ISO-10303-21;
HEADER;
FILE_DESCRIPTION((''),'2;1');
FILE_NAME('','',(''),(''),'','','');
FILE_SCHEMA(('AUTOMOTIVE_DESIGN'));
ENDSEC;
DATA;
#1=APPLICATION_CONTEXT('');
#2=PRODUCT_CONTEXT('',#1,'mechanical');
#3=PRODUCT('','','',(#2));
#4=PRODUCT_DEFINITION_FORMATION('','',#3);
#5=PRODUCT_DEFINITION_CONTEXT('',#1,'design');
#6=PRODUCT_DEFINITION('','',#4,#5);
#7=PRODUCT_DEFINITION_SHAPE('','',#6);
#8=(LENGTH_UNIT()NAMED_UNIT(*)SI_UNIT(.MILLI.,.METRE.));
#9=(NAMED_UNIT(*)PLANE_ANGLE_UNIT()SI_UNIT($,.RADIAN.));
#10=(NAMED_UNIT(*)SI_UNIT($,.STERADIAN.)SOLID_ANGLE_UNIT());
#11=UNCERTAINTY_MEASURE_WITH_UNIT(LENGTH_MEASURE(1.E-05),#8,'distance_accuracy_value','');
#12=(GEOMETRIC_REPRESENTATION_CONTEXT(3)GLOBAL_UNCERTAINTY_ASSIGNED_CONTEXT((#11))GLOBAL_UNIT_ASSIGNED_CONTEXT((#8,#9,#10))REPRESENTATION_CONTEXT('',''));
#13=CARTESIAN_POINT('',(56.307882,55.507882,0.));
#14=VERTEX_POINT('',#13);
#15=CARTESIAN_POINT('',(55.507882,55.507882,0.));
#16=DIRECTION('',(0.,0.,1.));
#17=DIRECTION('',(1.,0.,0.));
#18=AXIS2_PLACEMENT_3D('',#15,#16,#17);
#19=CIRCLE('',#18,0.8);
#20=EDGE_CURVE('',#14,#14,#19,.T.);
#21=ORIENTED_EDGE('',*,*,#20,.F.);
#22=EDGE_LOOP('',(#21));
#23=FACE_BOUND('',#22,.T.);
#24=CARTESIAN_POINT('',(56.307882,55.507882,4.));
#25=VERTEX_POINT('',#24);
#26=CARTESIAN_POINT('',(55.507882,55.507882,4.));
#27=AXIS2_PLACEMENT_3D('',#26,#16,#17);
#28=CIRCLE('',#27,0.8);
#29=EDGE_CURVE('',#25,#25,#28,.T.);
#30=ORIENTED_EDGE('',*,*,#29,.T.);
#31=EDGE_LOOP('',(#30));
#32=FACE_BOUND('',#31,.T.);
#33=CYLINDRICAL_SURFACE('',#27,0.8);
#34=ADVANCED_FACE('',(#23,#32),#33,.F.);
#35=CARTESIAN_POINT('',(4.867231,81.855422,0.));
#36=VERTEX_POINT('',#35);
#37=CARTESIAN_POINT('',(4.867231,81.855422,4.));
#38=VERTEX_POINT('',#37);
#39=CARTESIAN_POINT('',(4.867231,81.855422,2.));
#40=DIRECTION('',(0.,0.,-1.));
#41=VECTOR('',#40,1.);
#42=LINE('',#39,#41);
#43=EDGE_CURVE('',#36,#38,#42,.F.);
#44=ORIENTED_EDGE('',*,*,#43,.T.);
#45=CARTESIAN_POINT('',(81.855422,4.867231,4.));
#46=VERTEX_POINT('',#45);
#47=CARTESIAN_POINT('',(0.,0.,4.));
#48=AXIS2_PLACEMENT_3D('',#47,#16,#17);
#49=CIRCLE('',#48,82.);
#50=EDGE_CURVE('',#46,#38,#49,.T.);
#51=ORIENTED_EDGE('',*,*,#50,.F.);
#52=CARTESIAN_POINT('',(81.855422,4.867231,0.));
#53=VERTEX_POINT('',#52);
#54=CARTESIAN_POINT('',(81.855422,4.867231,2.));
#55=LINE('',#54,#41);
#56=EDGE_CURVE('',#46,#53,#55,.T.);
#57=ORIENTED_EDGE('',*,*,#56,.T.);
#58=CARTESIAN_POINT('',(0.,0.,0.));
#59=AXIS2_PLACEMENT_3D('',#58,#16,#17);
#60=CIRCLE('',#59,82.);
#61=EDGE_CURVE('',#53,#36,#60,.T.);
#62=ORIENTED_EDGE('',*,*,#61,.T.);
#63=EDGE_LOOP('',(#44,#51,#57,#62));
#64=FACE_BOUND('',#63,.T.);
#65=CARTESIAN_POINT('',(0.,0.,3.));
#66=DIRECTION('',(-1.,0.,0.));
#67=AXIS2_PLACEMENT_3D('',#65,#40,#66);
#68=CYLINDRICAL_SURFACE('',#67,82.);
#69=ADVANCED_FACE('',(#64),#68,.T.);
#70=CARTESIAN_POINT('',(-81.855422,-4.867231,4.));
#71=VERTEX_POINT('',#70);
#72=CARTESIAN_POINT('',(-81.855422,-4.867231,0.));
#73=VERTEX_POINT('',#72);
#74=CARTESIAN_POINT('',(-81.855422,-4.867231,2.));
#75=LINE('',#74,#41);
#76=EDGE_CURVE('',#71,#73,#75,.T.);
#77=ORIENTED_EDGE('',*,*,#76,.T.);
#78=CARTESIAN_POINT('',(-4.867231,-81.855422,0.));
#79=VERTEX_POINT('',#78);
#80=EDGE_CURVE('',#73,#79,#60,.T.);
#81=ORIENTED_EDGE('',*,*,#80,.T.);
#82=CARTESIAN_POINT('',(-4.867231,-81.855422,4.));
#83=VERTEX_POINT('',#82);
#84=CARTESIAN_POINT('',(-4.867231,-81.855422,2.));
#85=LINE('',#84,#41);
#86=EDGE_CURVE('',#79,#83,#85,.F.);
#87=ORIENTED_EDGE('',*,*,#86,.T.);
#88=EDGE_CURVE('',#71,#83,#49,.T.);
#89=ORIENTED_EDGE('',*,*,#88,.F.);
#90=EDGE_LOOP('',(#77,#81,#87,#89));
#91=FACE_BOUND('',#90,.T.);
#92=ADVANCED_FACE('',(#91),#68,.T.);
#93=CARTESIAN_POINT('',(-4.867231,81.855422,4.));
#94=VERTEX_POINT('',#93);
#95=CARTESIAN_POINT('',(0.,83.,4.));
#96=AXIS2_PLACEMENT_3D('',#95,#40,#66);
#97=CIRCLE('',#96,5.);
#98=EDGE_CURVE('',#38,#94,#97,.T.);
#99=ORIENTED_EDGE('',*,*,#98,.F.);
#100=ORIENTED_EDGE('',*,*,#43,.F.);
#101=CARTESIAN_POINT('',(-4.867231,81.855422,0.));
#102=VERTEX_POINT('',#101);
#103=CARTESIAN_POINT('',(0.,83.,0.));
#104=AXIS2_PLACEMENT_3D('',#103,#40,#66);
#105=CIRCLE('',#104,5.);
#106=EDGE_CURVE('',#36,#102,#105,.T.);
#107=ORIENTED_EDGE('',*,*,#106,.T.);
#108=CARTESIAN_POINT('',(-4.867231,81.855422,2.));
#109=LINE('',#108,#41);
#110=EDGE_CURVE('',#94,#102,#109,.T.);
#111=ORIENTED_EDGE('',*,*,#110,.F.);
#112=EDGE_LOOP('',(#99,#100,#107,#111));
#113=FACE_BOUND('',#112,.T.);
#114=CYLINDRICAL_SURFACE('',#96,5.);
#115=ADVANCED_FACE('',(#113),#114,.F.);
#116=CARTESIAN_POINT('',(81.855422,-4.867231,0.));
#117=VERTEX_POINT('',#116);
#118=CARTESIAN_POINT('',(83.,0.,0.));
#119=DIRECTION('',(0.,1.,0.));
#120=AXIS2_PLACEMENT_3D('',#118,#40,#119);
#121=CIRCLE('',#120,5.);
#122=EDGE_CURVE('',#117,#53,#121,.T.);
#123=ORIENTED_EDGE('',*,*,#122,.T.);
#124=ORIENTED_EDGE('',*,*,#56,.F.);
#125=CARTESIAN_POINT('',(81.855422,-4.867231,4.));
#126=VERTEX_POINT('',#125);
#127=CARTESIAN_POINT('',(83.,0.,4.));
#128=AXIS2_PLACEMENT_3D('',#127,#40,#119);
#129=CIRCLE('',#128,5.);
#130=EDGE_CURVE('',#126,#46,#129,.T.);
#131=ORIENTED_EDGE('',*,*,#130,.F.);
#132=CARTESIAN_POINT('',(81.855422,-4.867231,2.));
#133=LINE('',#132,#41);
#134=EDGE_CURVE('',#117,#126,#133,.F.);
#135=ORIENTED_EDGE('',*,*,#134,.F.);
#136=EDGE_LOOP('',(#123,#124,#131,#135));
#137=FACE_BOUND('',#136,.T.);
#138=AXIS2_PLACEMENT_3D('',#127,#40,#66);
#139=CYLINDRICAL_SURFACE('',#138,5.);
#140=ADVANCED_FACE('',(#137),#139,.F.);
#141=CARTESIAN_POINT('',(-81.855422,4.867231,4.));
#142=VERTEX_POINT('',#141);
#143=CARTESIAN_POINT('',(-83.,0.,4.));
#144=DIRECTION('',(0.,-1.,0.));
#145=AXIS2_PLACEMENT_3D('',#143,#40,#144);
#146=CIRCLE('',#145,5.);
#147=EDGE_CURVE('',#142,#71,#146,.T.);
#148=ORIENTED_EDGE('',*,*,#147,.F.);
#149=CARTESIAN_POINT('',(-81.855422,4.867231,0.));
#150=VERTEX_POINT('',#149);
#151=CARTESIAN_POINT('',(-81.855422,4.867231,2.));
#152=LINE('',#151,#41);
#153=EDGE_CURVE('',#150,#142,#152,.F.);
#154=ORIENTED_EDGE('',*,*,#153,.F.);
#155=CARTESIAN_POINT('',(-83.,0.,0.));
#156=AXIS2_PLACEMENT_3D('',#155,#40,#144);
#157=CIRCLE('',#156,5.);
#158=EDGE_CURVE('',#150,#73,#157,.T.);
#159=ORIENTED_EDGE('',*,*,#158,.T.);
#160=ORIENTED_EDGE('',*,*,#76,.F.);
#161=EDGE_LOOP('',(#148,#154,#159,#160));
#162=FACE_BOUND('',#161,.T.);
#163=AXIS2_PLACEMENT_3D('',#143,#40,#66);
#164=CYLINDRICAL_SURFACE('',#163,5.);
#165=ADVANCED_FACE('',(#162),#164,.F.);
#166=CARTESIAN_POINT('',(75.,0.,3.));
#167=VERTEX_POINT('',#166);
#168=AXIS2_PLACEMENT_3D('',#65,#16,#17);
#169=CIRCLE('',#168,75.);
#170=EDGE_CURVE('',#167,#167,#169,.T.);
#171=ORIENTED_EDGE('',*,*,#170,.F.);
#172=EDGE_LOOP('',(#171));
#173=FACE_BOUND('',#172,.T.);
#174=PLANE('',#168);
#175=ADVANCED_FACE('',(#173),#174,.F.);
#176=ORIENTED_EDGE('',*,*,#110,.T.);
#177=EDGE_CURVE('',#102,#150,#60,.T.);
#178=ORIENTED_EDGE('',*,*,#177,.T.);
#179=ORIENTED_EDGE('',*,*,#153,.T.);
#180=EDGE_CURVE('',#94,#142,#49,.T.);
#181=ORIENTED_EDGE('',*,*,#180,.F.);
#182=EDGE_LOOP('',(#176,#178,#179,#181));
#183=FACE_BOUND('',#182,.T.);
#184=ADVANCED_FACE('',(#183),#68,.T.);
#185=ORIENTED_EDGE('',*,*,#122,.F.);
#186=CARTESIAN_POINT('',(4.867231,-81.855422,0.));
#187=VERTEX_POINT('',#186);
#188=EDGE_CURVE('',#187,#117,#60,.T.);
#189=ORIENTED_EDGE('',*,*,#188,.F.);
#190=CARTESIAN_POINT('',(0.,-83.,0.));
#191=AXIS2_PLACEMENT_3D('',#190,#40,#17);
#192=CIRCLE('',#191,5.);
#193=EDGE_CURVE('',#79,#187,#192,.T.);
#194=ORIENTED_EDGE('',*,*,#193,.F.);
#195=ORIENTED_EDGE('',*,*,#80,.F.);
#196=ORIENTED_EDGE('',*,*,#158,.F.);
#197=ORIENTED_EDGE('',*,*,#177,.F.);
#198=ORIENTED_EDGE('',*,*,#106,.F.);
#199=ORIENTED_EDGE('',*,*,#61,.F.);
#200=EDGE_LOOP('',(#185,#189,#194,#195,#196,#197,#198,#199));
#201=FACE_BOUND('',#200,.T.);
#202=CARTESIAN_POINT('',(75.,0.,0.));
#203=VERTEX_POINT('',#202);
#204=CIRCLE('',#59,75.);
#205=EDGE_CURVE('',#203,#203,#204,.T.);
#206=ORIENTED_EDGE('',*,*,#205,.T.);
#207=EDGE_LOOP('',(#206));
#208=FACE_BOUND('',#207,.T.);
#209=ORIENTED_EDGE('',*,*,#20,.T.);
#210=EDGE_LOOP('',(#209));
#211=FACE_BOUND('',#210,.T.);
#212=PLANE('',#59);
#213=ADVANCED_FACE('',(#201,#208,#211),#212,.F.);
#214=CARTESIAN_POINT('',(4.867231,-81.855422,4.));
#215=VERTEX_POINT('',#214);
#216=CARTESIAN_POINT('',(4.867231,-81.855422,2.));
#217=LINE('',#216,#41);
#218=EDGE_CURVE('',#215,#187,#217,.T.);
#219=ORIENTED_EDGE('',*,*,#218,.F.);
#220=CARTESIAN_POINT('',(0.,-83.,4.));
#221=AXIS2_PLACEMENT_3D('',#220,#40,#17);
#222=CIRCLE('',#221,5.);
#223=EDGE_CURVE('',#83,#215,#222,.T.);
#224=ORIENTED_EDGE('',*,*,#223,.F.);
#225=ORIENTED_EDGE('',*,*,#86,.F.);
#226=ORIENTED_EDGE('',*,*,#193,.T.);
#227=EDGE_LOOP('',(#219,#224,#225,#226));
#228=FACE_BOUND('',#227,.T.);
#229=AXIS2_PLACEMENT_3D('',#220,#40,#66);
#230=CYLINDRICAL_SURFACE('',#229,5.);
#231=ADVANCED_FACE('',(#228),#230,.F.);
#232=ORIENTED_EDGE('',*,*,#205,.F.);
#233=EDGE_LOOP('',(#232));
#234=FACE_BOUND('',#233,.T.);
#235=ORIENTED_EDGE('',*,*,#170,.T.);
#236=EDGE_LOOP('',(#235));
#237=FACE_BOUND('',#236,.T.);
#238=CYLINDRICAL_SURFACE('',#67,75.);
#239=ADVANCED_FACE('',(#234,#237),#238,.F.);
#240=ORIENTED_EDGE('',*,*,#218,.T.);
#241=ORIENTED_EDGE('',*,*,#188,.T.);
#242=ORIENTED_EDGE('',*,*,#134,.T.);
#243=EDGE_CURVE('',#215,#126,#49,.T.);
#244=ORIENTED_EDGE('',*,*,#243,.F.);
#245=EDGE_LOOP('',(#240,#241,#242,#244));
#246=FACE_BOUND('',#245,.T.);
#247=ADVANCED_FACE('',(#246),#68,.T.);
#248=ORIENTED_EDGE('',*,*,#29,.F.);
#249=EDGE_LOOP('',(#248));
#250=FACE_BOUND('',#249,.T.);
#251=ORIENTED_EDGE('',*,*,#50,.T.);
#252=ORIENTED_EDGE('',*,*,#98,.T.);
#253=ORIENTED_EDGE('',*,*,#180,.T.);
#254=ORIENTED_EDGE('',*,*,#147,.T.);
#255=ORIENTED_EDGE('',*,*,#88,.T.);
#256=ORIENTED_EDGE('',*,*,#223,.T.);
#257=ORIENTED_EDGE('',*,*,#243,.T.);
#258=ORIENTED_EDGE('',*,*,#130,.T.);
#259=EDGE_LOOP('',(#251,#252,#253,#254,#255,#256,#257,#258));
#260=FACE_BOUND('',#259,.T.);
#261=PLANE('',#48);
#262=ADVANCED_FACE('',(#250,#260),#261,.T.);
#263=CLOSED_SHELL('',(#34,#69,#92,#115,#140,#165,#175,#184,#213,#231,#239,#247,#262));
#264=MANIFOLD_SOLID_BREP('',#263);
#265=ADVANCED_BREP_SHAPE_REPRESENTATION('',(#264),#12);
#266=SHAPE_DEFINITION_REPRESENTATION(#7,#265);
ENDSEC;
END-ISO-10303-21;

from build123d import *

# Parameters (mm, degrees)
SKETCH1_R             = 82
SKETCH1_R_2           = 75
BOSS_EXTRUDE1_DEPTH   = 3
SKETCH2_R             = 82
BOSS_EXTRUDE2_DEPTH   = 1
SKETCH4_R             = 5
CUT_EXTRUDE1_DEPTH    = 117.034477635
CIRPATTERN1_COUNT     = 4
M2X0_4_TAPPED_HOLE1_D = 1.6


with BuildPart() as part:
    # Sketch1 → Boss-Extrude1 (new body)
    with BuildSketch(Plane.XY):
        Circle(SKETCH1_R)
        Circle(SKETCH1_R_2, mode=Mode.SUBTRACT)
    extrude(amount=BOSS_EXTRUDE1_DEPTH)

    # Sketch2 → Boss-Extrude2 (add)
    with BuildSketch(Plane.XY.offset(3)):
        Circle(SKETCH2_R)
    extrude(amount=BOSS_EXTRUDE2_DEPTH)

    # Sketch4 → Cut-Extrude1 (cut, through all)
    with BuildSketch(Plane(origin=(0, 0, 0), x_dir=(-1, 0, 0), z_dir=(0, 0, -1))):
        with Locations((0, 83)):
            Circle(SKETCH4_R)
    cut_extrude1 = extrude(amount=-CUT_EXTRUDE1_DEPTH, mode=Mode.SUBTRACT)

    # CirPattern1: Cut-Extrude1 ×4 about axis
    cirpattern1_axis = Axis((0, 0, 0), (0, 0, 1))
    for i in range(1, CIRPATTERN1_COUNT):
        add(cut_extrude1.rotate(cirpattern1_axis, i * 360 / CIRPATTERN1_COUNT), mode=Mode.SUBTRACT)

    # M2x0.4 Tapped Hole1 (through all)
    with Locations(Plane.XY.offset(4)):
        with Locations((55.507882323, 55.507882323)):
            Hole(M2X0_4_TAPPED_HOLE1_D / 2)


solid = part.part
